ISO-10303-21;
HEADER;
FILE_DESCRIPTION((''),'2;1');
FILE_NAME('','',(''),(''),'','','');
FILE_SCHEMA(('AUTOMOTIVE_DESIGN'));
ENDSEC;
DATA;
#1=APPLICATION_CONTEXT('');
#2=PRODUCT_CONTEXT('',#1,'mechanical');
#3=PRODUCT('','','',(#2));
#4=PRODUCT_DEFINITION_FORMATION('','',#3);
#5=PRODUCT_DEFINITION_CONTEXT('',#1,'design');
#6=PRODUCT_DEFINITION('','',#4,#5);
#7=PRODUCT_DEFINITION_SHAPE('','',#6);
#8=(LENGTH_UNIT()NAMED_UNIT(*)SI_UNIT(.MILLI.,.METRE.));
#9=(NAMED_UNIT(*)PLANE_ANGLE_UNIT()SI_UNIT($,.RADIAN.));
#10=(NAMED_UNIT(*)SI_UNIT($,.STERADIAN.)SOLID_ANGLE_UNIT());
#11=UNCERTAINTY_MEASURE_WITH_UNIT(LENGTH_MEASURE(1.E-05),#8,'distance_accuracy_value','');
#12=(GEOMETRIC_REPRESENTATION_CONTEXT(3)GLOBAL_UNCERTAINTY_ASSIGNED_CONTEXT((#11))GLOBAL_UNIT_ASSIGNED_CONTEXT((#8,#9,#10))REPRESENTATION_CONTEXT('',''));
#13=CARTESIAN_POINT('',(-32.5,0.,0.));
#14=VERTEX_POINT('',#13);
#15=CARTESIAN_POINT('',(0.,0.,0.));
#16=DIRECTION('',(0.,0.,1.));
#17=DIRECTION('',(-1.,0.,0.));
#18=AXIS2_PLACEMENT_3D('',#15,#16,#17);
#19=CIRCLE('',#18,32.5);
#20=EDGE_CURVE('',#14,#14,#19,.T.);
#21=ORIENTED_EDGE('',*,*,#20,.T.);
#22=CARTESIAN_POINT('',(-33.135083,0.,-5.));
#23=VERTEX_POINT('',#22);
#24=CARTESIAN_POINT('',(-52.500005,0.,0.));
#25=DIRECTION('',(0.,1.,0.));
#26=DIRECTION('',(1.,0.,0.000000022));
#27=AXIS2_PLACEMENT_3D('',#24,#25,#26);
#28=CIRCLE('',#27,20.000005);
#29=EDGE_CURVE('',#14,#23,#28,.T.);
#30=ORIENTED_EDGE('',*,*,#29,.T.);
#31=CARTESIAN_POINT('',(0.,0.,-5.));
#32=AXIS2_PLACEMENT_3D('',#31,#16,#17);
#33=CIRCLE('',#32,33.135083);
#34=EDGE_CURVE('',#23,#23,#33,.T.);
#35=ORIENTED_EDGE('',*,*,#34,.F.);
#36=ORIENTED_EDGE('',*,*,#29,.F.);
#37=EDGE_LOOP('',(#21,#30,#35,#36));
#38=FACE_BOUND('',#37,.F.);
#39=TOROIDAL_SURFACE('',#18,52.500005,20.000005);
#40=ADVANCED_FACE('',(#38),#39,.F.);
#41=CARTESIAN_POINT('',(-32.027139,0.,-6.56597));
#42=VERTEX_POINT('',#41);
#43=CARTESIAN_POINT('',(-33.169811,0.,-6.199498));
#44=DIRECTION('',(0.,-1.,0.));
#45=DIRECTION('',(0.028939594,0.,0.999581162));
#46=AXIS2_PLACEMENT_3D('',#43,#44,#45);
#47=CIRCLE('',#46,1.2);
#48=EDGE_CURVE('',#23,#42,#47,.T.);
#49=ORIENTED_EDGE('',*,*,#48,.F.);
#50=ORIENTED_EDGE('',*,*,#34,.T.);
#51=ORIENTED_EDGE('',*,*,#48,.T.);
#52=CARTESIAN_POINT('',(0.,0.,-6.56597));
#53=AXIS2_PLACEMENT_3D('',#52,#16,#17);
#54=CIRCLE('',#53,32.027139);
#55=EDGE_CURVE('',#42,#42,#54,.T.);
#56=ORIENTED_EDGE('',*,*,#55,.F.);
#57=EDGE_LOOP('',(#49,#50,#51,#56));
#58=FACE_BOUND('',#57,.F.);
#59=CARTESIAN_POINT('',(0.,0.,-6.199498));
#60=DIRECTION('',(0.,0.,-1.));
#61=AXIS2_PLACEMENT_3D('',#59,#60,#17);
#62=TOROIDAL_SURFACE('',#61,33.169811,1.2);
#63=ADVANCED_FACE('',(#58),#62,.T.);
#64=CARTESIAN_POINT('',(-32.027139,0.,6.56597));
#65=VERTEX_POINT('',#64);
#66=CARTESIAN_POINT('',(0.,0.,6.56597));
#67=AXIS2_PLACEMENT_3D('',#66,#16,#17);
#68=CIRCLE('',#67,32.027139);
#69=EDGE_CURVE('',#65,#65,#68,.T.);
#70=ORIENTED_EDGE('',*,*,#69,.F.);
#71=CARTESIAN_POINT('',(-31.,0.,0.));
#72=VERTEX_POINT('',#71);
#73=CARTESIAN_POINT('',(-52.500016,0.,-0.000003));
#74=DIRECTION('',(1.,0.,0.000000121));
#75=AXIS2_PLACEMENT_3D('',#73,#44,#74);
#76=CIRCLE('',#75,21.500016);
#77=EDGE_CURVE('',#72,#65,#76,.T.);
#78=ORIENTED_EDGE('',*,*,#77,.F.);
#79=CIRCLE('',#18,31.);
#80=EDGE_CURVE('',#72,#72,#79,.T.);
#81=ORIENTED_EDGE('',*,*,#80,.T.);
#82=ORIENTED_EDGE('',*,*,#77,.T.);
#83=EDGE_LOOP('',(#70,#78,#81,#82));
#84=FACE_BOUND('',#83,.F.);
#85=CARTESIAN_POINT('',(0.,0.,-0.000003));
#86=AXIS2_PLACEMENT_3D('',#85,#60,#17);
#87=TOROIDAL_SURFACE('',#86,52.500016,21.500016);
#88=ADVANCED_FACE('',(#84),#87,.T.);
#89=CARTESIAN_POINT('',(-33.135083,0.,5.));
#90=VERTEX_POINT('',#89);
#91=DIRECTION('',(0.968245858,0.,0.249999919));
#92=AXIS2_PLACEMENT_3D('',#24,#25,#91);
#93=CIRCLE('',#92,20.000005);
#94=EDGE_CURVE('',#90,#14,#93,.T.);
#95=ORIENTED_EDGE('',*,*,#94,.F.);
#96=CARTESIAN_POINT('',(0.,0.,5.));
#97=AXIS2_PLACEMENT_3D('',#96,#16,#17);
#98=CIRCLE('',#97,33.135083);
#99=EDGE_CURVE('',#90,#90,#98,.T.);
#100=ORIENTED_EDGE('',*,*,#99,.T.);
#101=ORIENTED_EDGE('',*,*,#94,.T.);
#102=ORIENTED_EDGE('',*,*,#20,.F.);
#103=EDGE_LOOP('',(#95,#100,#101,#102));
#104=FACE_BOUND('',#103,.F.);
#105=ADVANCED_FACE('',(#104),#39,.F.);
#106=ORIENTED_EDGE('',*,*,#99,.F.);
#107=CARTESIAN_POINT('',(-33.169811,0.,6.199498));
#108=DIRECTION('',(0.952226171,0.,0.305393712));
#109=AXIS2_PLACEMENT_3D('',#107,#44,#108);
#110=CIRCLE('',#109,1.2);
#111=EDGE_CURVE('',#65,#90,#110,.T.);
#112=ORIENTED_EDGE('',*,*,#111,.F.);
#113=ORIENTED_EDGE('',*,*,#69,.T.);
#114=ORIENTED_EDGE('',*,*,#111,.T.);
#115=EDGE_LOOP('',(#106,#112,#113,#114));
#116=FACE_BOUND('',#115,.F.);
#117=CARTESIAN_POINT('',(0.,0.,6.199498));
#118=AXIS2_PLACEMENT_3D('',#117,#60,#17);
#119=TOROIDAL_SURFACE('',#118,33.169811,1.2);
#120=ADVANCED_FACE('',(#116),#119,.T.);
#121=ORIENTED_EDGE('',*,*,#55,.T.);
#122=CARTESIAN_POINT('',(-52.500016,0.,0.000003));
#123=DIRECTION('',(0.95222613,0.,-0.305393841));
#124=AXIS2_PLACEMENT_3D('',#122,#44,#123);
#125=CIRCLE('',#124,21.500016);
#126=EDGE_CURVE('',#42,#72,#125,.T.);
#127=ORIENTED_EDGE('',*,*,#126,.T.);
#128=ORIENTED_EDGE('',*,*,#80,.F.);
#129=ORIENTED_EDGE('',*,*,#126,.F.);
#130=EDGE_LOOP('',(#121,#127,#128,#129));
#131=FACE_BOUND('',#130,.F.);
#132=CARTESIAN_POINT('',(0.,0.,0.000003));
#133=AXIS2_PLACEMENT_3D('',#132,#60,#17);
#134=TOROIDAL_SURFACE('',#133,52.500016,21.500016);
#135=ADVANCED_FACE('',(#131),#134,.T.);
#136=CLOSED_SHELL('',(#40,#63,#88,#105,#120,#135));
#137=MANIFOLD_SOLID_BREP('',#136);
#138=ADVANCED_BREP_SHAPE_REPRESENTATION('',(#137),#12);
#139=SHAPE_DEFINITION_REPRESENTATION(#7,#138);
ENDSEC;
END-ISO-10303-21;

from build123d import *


with BuildPart() as f1:
    # F0 (on Front) → F1 (revolve)
    with BuildSketch(Plane.XZ):
        with BuildLine():
            ThreePointArc((-33.135083, 5), (-32.659406, 2.520086), (-32.5, 0))
            ThreePointArc((-32.5, 0), (-32.659406, -2.520086), (-33.135083, -5))
            ThreePointArc((-33.135083, -5), (-34.149419, -6.892583), (-32.027139, -6.56597))
            ThreePointArc((-32.027139, -6.56597), (-31.258337, -3.322912), (-31, 0))
            ThreePointArc((-31, 0), (-31.258337, 3.322912), (-32.027139, 6.56597))
            ThreePointArc((-32.027139, 6.56597), (-34.149419, 6.892583), (-33.135083, 5))
        make_face()
    revolve(axis=Axis((0, 0, 17.003081), (0, 0, 1)))


solid = f1.part
